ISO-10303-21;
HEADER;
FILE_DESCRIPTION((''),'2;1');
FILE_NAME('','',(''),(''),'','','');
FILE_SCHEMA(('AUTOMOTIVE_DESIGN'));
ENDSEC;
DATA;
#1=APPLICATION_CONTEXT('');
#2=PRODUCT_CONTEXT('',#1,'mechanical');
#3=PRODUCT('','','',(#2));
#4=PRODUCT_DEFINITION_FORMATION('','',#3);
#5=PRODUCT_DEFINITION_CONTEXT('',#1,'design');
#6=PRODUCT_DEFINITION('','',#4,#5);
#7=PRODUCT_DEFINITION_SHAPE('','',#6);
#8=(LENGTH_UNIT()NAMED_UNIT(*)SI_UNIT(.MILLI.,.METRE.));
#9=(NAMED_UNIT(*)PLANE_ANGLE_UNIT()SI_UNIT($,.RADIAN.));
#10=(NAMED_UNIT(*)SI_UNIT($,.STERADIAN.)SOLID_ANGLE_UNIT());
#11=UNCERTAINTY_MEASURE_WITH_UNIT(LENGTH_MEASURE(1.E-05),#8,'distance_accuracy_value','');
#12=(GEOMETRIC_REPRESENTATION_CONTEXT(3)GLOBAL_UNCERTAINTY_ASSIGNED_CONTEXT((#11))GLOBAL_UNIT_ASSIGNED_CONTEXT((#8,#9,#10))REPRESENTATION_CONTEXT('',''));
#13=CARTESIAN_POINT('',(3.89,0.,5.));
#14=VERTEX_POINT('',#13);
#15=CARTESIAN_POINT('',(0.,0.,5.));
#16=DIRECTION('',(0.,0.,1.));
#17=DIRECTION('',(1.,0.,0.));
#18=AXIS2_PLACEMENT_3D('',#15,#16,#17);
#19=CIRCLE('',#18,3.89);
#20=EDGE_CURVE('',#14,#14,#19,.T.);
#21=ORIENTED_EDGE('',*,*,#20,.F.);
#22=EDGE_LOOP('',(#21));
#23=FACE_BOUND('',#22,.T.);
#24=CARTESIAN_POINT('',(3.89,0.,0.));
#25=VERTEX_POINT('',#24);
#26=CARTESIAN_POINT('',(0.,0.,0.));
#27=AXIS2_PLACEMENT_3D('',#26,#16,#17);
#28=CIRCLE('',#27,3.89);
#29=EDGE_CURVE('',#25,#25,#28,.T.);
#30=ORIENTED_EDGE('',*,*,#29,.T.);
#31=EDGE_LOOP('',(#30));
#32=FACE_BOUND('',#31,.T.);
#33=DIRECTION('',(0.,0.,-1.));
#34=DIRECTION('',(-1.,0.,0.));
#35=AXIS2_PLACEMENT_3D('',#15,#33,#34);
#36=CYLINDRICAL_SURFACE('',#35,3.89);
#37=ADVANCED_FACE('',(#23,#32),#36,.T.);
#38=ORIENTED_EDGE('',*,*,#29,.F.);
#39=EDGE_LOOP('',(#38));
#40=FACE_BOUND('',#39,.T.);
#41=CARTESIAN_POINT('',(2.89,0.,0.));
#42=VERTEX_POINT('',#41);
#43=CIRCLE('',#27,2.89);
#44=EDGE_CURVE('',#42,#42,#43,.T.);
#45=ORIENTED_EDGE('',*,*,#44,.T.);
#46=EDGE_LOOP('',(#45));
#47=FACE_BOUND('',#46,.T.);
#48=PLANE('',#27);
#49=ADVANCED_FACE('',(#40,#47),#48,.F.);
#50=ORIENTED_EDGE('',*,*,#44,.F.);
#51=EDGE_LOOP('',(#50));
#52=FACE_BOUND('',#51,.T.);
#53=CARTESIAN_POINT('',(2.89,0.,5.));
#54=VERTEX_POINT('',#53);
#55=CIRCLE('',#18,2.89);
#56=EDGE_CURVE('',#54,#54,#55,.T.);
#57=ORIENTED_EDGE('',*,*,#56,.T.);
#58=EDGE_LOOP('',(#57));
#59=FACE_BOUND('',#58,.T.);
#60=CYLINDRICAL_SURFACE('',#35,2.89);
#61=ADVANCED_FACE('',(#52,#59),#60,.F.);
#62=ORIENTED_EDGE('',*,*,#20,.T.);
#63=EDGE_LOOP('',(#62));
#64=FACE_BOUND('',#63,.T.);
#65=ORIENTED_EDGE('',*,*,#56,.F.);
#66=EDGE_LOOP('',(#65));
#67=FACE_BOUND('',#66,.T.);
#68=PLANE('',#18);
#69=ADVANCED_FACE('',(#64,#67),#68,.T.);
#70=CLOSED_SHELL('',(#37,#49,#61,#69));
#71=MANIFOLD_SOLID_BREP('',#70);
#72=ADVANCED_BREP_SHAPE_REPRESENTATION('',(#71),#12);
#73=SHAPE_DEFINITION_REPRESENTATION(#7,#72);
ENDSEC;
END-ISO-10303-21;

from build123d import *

# Parameters (mm, degrees)
SCHIZZO1_R                   = 3.89
SCHIZZO1_R_2                 = 2.89
ESTRUSIONE_ESTRUSIONE1_DEPTH = 5


with BuildPart() as part:
    # Schizzo1 → Estrusione-Estrusione1 (new body)
    with BuildSketch(Plane.XY):
        Circle(SCHIZZO1_R)
        Circle(SCHIZZO1_R_2, mode=Mode.SUBTRACT)
    extrude(amount=ESTRUSIONE_ESTRUSIONE1_DEPTH)


solid = part.part
